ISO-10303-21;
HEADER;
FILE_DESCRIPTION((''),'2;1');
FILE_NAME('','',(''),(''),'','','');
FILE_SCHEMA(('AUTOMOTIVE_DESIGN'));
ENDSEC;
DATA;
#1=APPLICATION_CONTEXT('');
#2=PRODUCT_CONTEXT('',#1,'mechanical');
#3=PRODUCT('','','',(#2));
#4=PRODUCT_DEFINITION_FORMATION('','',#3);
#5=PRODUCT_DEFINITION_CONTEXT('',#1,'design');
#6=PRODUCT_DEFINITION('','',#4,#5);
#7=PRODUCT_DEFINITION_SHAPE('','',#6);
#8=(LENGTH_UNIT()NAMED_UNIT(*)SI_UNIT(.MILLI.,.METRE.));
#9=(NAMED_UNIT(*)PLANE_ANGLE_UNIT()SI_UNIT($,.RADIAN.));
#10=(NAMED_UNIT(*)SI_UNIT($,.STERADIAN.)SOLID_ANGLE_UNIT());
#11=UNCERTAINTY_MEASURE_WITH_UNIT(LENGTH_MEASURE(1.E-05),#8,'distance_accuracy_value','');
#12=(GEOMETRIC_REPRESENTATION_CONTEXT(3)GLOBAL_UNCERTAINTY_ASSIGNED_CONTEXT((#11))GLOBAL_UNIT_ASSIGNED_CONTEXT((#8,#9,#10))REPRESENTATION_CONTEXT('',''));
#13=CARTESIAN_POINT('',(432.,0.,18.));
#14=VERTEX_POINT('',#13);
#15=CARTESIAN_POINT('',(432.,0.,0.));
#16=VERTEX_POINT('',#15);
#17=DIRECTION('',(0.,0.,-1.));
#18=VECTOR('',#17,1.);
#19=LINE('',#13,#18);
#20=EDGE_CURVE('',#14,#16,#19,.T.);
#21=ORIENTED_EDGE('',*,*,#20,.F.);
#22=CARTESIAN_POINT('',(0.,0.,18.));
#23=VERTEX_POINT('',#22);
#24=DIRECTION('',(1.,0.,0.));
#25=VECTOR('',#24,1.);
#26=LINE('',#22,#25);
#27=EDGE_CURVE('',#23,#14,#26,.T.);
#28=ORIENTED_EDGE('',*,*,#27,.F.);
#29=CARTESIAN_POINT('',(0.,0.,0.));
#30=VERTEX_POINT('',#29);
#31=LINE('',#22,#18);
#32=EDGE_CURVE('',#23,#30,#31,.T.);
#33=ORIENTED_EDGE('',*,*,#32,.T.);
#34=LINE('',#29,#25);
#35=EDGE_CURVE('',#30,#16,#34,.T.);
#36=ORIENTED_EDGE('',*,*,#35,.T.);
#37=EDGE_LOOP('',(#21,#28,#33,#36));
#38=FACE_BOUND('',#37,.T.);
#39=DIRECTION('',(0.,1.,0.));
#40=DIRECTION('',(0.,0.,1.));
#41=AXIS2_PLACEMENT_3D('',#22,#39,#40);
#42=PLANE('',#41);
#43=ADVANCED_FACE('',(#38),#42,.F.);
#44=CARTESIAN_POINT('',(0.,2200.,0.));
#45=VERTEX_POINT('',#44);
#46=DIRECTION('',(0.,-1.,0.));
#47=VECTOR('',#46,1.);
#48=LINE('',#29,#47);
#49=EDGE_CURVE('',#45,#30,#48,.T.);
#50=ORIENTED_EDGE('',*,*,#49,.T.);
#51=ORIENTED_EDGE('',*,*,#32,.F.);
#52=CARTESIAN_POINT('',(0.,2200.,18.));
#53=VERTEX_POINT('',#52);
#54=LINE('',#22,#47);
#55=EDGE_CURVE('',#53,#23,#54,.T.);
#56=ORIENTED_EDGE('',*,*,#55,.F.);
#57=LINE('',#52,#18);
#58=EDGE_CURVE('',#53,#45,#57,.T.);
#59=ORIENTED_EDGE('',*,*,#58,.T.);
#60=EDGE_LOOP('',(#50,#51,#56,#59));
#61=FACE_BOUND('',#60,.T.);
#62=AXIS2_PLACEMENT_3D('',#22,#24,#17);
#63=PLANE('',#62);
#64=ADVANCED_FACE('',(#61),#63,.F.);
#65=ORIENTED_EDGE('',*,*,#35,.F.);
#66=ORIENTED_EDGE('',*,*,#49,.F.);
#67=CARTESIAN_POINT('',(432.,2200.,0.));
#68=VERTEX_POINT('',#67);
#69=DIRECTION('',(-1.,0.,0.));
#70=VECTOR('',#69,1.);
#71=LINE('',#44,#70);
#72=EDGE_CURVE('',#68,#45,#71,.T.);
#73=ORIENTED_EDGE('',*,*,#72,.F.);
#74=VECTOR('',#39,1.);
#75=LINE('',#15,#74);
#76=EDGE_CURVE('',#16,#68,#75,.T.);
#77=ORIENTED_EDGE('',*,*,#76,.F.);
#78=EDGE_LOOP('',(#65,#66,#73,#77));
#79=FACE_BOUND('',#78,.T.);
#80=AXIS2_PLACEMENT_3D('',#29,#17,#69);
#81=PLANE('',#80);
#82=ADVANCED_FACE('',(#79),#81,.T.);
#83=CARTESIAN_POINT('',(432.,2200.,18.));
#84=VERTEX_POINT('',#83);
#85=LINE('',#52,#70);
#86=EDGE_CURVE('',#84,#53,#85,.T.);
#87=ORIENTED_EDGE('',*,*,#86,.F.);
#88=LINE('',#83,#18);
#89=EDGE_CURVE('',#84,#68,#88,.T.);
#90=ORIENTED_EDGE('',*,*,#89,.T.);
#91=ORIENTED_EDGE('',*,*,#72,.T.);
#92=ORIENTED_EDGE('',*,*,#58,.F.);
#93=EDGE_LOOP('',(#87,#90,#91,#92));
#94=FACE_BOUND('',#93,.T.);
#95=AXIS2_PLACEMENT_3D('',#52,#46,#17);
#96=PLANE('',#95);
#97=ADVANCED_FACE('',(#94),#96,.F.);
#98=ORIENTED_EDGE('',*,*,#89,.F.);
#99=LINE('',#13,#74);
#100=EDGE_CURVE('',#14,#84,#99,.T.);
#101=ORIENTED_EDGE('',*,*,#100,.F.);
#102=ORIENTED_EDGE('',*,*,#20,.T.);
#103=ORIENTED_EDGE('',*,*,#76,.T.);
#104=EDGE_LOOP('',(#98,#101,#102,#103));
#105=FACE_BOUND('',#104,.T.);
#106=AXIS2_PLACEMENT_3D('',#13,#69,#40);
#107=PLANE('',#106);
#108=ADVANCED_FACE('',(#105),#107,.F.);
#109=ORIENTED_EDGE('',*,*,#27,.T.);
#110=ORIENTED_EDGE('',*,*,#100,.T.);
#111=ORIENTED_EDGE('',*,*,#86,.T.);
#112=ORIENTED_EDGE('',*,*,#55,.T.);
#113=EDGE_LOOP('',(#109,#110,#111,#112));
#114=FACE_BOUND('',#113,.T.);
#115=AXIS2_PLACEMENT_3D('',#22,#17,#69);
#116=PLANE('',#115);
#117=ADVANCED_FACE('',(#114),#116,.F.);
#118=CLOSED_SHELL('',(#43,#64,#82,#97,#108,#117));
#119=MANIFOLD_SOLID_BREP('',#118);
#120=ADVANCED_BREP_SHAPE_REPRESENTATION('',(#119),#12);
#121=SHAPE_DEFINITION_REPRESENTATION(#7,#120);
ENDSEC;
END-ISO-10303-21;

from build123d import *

# Parameters (mm, degrees)
SKETCH1_W           = 432
SKETCH1_H           = 2200
BOSS_EXTRUDE1_DEPTH = 18


with BuildPart() as part:
    # Sketch1 → Boss-Extrude1 (new body)
    with BuildSketch(Plane.XY):
        with Locations((216, 1100)):
            Rectangle(SKETCH1_W, SKETCH1_H)
    extrude(amount=BOSS_EXTRUDE1_DEPTH)


solid = part.part
